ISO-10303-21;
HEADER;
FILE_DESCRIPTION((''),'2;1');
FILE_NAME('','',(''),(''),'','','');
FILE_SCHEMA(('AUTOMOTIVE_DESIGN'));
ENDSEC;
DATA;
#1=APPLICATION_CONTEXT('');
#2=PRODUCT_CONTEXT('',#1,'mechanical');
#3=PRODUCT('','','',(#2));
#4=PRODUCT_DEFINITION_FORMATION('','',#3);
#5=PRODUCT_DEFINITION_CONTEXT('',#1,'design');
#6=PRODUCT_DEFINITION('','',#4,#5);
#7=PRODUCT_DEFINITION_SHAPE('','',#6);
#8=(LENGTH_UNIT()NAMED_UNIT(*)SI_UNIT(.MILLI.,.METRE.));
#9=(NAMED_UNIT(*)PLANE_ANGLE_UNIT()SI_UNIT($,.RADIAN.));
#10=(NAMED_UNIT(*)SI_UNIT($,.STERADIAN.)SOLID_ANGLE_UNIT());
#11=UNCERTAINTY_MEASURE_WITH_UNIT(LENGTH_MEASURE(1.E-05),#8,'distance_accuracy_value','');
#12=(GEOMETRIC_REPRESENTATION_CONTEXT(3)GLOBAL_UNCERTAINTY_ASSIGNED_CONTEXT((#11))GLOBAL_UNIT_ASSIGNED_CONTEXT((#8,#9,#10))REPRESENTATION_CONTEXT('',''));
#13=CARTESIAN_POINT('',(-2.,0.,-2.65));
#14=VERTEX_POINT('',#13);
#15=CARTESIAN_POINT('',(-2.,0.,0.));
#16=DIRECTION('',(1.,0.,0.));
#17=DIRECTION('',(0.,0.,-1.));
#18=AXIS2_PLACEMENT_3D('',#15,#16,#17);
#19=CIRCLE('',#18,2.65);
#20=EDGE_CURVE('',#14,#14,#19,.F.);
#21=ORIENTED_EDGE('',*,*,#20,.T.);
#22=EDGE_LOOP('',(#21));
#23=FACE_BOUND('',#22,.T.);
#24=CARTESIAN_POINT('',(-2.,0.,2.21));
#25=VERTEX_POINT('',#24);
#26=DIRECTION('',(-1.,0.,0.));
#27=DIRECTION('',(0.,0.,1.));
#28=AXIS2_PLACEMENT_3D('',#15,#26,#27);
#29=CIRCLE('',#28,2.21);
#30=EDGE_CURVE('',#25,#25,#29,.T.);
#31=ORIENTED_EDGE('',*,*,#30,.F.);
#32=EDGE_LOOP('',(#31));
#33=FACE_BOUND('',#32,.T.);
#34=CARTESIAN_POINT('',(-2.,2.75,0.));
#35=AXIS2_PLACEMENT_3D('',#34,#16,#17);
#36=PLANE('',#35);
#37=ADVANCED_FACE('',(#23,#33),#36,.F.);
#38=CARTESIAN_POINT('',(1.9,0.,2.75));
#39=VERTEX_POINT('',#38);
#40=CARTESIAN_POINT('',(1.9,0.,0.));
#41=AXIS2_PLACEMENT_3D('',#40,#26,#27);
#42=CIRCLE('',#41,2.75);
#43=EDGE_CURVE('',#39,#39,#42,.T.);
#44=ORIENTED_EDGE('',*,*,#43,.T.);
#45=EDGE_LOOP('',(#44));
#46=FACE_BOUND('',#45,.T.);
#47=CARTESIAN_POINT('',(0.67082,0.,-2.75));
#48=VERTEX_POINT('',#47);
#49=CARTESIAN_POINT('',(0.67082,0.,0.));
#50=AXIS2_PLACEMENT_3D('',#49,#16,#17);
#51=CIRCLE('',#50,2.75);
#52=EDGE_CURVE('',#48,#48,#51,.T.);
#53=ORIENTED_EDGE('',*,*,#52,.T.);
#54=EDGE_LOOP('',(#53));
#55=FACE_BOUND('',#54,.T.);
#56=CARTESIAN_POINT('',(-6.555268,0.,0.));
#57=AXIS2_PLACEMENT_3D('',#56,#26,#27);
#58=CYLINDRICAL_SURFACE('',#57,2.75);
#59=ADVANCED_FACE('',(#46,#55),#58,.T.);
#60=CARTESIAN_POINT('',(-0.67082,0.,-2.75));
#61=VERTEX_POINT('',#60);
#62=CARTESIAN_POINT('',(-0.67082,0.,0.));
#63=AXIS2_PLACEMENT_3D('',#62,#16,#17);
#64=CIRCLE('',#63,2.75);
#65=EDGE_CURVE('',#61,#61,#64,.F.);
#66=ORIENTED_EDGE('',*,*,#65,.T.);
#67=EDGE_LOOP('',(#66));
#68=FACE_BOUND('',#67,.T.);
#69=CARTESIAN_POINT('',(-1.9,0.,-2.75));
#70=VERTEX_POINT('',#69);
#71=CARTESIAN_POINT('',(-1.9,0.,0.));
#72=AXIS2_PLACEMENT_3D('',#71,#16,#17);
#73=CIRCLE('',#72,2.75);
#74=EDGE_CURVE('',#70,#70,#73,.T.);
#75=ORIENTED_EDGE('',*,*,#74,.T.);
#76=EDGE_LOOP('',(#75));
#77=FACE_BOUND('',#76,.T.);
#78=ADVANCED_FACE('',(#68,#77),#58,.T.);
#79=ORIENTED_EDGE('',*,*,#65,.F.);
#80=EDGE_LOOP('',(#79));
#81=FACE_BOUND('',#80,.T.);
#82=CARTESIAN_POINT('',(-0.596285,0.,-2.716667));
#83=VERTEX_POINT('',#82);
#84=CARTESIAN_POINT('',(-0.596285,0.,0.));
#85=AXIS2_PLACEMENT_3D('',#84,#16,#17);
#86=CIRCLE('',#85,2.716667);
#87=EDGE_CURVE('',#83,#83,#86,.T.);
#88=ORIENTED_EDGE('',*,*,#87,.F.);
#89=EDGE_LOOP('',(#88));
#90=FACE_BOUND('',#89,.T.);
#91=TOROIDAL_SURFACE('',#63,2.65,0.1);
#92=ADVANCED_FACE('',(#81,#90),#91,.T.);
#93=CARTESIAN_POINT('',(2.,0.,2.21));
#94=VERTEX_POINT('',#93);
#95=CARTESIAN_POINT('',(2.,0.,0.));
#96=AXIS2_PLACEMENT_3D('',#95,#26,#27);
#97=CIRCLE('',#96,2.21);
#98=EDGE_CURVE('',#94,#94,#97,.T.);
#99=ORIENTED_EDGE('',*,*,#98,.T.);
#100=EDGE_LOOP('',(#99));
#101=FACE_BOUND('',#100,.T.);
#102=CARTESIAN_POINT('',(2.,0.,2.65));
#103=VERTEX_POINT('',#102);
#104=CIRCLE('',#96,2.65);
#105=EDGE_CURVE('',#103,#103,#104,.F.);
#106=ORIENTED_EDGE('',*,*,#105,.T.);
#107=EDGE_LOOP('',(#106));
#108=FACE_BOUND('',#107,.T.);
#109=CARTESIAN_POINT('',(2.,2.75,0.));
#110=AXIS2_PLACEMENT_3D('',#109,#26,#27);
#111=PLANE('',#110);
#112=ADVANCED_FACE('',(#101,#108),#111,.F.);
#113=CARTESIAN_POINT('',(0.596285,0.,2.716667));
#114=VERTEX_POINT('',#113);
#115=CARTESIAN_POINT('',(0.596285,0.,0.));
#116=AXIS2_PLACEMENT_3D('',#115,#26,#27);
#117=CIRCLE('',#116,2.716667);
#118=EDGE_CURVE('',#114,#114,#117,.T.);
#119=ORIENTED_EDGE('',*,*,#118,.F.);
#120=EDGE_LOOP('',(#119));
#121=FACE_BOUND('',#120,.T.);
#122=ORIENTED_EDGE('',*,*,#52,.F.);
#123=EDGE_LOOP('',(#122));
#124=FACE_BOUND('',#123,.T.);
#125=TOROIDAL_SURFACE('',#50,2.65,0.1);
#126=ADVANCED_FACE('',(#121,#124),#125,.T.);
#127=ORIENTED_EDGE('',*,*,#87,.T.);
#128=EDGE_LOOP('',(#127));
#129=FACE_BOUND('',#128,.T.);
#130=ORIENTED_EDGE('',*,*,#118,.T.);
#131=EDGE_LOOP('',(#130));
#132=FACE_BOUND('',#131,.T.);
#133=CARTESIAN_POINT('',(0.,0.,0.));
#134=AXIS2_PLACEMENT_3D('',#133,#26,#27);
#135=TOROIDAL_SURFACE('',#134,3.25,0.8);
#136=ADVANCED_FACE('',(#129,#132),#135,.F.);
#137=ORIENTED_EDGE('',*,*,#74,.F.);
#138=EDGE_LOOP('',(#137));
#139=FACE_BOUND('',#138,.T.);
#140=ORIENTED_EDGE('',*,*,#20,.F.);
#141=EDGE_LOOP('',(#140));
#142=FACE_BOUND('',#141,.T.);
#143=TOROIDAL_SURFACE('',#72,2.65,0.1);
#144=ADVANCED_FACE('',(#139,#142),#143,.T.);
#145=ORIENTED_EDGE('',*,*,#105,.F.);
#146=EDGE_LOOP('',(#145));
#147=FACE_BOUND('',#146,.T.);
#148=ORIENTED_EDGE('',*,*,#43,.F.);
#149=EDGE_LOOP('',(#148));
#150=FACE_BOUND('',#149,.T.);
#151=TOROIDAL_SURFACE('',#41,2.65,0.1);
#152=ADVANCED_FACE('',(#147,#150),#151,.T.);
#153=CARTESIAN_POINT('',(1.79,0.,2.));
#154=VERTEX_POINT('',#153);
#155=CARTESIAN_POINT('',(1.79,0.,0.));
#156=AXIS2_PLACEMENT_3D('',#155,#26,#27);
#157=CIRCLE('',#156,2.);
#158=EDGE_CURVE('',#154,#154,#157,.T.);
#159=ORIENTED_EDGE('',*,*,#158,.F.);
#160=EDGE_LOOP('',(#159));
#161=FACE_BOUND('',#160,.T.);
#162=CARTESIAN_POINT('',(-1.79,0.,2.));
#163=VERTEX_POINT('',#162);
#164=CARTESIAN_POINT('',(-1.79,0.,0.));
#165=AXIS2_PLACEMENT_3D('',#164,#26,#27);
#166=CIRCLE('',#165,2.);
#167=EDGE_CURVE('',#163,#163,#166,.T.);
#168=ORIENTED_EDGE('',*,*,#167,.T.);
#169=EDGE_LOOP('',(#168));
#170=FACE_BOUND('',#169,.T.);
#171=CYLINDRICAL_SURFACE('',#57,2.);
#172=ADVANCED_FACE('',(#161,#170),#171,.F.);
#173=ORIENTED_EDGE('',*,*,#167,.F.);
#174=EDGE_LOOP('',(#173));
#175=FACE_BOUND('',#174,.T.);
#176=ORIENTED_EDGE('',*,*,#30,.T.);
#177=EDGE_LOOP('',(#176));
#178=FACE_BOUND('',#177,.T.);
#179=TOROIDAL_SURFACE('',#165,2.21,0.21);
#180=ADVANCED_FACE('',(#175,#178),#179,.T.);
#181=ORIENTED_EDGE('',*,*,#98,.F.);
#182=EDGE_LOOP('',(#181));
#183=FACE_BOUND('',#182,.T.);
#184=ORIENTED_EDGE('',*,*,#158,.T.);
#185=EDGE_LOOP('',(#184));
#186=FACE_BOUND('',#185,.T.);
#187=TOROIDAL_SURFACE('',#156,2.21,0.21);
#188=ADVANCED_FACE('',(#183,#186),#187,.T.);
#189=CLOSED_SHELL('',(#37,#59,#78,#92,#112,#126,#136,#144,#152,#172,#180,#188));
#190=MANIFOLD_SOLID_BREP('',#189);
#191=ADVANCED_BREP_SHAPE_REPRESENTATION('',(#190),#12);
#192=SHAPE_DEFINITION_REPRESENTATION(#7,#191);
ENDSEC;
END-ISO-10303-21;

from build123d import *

# Parameters (mm, degrees)
FILLET1_R    = 1
SCALE2_SCALE = 0.1


with BuildPart() as part:
    # Sketch1 → Revolve1 (revolve)
    with BuildSketch(Plane.XY, mode=Mode.PRIVATE) as revolve1_sk:
        with BuildLine():
            Line((-20, 27.5), (-6.244997998, 27.5))
            ThreePointArc((-6.244997998, 27.5), (0, 24.5), (6.244997998, 27.5))
            Line((6.244997998, 27.5), (20, 27.5))
            Line((20, 27.5), (20, 22.1))
            ThreePointArc((20, 22.1), (19.38492424, 20.61507576), (17.9, 20))
            Line((17.9, 20), (-17.9, 20))
            ThreePointArc((-17.9, 20), (-19.38492424, 20.61507576), (-20, 22.1))
            Line((-20, 22.1), (-20, 27.5))
        make_face()
    revolve(revolve1_sk.sketch.rotate(Axis((-65.552679482, 0, 0), (1, 0, 0)), 90), axis=Axis((-65.552679482, 0, 0), (1, 0, 0)))

    # Fillet1
    fillet1_edges = [part.edges().sort_by_distance(p)[0] for p in [
        (-20, 0, -27.5),
        (-6.244997998, 0, -27.5),
        (6.244997998, 0, -27.5),
        (20, 0, -27.5),
    ]]
    fillet(fillet1_edges, radius=FILLET1_R)


with BuildPart() as part_1:
    # Scale2: scaled about (0, 0, -5.2e-08)
    add(part.part.scale(SCALE2_SCALE).moved(Location((0, 0, -4.7e-08))))


solid = part_1.part
